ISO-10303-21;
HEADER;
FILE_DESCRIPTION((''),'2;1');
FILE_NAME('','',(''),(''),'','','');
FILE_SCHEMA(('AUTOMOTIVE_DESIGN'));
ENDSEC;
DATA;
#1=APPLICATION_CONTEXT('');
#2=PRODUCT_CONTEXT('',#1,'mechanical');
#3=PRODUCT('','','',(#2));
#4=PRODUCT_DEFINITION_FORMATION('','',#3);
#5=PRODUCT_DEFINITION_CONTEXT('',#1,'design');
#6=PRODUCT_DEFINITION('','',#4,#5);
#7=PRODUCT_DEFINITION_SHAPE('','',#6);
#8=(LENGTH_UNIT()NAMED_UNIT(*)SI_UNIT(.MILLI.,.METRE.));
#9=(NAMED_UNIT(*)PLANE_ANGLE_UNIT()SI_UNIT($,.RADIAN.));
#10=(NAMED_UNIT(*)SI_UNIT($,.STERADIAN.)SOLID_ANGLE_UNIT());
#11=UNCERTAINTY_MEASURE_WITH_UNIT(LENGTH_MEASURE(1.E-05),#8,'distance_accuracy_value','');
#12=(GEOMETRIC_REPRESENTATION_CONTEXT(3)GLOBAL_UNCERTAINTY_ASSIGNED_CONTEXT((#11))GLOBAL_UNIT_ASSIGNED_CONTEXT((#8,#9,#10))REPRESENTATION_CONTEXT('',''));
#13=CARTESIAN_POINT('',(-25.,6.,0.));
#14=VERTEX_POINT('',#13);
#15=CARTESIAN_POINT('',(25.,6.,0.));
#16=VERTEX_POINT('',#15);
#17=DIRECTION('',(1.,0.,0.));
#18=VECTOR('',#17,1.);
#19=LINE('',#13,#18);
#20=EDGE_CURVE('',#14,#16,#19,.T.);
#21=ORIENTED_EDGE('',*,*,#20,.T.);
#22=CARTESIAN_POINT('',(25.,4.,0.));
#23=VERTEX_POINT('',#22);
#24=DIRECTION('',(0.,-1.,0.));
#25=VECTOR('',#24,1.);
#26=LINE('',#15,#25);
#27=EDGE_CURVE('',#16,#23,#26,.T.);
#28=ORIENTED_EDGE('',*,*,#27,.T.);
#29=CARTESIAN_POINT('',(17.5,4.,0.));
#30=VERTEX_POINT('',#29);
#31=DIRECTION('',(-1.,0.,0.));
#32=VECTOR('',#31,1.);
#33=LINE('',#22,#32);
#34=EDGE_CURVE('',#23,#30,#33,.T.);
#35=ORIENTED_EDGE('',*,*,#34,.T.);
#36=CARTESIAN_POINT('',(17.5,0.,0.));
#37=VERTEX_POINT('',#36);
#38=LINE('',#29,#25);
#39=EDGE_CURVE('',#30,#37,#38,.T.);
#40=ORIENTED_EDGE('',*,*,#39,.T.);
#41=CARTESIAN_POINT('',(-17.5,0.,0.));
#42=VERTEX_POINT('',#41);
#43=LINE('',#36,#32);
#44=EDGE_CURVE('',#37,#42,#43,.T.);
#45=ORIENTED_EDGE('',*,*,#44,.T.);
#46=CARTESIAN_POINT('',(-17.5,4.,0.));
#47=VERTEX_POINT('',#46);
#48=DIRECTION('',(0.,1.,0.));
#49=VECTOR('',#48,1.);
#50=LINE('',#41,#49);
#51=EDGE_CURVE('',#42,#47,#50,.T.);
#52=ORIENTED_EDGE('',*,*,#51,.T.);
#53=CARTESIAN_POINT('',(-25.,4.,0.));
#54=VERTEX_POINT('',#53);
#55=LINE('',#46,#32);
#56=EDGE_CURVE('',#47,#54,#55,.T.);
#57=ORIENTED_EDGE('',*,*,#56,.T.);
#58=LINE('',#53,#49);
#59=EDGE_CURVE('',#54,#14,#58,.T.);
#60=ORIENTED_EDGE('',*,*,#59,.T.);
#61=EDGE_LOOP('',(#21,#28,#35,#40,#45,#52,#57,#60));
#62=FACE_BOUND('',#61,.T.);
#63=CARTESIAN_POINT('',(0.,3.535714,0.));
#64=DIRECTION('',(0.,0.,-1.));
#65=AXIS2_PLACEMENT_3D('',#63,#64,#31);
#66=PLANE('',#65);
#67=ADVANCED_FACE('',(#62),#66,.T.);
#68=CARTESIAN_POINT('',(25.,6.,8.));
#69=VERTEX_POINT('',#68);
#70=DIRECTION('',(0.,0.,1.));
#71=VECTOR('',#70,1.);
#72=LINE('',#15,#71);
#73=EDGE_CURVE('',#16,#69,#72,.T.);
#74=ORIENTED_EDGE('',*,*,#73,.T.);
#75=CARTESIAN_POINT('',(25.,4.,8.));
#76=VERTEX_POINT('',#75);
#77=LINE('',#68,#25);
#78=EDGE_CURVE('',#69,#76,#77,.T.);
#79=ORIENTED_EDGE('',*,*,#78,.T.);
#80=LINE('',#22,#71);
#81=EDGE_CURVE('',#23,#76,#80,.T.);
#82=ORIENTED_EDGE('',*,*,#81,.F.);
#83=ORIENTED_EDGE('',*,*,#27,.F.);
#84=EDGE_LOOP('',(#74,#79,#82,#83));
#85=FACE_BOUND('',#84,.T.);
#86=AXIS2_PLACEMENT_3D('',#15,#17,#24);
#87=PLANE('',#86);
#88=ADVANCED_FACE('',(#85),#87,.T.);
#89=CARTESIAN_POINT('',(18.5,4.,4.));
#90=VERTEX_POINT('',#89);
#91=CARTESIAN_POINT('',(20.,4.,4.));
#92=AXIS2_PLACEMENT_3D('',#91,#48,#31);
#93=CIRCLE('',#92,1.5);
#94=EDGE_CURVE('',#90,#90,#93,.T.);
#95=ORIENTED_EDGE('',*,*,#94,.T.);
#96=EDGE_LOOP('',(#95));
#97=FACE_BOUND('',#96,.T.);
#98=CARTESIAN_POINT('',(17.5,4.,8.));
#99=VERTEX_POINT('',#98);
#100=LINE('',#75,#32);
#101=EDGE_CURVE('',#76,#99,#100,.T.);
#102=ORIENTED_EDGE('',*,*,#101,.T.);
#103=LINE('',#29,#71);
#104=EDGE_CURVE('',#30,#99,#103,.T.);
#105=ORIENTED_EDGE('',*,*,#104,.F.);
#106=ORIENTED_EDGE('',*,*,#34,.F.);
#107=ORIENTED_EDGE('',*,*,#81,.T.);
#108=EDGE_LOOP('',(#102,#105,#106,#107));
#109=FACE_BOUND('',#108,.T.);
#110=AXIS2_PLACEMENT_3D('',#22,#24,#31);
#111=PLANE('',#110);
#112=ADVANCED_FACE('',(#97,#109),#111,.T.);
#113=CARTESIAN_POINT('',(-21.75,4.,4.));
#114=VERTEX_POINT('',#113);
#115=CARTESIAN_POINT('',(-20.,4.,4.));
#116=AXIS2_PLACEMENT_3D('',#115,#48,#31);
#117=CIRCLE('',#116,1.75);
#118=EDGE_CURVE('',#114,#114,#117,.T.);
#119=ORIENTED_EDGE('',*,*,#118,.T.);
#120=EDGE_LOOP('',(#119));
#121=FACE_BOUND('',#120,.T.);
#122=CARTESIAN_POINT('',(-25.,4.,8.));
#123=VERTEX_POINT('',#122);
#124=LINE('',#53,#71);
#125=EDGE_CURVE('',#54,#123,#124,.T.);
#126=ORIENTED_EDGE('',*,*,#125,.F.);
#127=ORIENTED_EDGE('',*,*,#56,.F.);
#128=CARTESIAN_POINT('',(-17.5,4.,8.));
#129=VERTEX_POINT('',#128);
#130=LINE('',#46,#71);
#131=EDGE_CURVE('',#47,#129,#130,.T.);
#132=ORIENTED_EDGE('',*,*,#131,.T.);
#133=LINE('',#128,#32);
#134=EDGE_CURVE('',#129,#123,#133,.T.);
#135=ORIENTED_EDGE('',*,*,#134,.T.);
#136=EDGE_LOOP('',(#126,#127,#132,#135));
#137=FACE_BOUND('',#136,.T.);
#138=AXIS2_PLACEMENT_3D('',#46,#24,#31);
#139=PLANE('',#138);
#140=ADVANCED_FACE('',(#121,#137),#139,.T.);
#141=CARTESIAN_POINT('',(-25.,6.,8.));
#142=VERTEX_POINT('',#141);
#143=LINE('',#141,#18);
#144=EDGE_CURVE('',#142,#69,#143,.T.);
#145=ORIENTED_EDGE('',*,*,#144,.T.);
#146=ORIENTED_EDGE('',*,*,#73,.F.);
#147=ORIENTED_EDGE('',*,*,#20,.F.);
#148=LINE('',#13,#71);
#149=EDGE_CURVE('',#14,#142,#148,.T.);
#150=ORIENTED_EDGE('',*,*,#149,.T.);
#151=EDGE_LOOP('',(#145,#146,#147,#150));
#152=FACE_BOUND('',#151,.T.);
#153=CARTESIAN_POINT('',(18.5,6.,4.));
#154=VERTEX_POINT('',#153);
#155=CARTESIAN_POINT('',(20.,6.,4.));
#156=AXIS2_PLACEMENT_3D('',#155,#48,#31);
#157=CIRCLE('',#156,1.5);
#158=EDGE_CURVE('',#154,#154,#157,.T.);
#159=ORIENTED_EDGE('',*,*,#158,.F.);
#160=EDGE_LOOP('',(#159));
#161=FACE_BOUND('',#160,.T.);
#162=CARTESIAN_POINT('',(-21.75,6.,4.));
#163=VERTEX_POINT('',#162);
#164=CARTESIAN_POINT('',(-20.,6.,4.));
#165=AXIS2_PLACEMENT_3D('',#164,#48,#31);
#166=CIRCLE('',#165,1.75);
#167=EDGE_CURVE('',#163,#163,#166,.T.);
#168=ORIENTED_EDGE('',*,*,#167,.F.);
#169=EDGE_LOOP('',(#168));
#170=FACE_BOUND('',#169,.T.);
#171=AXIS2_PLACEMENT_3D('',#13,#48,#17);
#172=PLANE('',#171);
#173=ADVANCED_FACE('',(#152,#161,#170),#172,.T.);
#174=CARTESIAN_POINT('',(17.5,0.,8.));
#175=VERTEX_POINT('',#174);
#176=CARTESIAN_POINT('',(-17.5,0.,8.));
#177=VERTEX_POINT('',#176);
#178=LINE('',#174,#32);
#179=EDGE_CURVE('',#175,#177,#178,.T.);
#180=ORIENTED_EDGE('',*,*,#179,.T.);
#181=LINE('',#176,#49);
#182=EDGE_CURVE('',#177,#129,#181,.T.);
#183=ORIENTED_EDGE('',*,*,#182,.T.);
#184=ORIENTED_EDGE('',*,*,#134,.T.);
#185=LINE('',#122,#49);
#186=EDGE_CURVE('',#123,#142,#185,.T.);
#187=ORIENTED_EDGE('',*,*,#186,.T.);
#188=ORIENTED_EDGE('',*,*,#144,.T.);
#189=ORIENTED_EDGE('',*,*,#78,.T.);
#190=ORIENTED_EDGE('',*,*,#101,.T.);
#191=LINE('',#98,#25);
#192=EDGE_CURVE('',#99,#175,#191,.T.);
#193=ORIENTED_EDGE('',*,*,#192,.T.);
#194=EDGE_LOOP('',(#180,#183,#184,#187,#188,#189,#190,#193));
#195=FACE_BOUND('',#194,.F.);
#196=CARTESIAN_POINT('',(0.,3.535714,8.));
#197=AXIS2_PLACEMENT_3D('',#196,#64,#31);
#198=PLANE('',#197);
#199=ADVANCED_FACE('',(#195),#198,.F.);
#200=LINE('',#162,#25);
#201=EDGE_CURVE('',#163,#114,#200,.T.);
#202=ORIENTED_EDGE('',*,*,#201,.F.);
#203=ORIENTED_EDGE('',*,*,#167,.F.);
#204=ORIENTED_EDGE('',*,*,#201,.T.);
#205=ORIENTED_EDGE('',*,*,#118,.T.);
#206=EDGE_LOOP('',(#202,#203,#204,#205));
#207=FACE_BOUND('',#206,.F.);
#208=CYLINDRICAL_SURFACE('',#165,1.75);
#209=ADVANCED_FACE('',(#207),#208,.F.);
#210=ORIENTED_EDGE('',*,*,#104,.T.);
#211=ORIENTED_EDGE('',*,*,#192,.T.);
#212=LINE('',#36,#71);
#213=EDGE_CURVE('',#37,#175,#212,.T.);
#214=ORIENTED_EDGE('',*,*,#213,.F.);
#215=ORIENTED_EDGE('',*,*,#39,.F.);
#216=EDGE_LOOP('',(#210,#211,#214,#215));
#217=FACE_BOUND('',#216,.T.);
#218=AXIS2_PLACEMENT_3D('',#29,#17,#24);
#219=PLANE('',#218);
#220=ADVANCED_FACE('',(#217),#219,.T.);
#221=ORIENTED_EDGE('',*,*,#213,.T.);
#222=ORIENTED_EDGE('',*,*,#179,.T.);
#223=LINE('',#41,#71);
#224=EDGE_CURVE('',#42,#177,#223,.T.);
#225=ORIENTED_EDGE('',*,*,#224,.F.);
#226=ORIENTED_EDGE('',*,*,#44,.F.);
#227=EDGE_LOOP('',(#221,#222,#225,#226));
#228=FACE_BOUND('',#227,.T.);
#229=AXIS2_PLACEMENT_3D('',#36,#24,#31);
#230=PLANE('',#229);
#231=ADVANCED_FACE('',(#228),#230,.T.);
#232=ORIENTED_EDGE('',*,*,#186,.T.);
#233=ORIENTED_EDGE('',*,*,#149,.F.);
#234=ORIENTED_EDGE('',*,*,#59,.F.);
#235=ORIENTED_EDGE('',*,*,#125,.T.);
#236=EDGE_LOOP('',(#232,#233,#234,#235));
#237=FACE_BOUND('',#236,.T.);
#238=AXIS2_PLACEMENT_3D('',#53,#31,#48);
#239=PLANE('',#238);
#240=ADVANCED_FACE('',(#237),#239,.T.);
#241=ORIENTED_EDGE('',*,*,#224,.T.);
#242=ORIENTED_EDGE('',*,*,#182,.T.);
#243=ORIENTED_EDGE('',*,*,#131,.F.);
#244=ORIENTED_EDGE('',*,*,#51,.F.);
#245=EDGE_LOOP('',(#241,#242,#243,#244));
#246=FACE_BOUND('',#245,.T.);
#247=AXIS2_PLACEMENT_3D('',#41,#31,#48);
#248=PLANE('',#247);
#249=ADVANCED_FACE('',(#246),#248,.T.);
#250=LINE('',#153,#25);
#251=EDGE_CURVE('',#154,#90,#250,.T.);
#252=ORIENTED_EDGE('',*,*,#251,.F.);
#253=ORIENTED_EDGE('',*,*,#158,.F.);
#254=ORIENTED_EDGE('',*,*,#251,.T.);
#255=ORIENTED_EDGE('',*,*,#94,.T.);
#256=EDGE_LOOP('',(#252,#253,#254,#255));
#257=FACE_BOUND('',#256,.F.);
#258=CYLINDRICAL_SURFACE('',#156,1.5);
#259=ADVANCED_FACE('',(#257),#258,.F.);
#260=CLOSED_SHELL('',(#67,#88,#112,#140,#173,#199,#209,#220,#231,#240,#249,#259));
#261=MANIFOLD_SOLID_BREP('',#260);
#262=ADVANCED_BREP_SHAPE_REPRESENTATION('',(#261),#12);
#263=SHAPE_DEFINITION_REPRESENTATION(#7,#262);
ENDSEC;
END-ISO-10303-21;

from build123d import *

# Parameters (mm, degrees)
PAD_DEPTH     = 8
SKETCH001_R   = 1.75
SKETCH001_R_2 = 1.5
POCKET_DEPTH  = 5


with BuildPart() as part:
    # Sketch → Pad (new body)
    with BuildSketch(Plane.XY):
        Polygon((-25, 6), (25, 6), (25, 4), (17.5, 4), (17.5, 0), (-17.5, 0), (-17.5, 4), (-25, 4), align=None)
    extrude(amount=PAD_DEPTH)

    # Sketch001 (on Face1 of Pad) → Pocket (cut)
    with BuildSketch(Plane(origin=(0, 6, 0), x_dir=(-1, 0, 0), z_dir=(0, 1, 0))):
        with Locations((20, 4)):
            Circle(SKETCH001_R)
        with Locations((-20, 4)):
            Circle(SKETCH001_R_2)
    extrude(amount=-POCKET_DEPTH, mode=Mode.SUBTRACT)


solid = part.part
